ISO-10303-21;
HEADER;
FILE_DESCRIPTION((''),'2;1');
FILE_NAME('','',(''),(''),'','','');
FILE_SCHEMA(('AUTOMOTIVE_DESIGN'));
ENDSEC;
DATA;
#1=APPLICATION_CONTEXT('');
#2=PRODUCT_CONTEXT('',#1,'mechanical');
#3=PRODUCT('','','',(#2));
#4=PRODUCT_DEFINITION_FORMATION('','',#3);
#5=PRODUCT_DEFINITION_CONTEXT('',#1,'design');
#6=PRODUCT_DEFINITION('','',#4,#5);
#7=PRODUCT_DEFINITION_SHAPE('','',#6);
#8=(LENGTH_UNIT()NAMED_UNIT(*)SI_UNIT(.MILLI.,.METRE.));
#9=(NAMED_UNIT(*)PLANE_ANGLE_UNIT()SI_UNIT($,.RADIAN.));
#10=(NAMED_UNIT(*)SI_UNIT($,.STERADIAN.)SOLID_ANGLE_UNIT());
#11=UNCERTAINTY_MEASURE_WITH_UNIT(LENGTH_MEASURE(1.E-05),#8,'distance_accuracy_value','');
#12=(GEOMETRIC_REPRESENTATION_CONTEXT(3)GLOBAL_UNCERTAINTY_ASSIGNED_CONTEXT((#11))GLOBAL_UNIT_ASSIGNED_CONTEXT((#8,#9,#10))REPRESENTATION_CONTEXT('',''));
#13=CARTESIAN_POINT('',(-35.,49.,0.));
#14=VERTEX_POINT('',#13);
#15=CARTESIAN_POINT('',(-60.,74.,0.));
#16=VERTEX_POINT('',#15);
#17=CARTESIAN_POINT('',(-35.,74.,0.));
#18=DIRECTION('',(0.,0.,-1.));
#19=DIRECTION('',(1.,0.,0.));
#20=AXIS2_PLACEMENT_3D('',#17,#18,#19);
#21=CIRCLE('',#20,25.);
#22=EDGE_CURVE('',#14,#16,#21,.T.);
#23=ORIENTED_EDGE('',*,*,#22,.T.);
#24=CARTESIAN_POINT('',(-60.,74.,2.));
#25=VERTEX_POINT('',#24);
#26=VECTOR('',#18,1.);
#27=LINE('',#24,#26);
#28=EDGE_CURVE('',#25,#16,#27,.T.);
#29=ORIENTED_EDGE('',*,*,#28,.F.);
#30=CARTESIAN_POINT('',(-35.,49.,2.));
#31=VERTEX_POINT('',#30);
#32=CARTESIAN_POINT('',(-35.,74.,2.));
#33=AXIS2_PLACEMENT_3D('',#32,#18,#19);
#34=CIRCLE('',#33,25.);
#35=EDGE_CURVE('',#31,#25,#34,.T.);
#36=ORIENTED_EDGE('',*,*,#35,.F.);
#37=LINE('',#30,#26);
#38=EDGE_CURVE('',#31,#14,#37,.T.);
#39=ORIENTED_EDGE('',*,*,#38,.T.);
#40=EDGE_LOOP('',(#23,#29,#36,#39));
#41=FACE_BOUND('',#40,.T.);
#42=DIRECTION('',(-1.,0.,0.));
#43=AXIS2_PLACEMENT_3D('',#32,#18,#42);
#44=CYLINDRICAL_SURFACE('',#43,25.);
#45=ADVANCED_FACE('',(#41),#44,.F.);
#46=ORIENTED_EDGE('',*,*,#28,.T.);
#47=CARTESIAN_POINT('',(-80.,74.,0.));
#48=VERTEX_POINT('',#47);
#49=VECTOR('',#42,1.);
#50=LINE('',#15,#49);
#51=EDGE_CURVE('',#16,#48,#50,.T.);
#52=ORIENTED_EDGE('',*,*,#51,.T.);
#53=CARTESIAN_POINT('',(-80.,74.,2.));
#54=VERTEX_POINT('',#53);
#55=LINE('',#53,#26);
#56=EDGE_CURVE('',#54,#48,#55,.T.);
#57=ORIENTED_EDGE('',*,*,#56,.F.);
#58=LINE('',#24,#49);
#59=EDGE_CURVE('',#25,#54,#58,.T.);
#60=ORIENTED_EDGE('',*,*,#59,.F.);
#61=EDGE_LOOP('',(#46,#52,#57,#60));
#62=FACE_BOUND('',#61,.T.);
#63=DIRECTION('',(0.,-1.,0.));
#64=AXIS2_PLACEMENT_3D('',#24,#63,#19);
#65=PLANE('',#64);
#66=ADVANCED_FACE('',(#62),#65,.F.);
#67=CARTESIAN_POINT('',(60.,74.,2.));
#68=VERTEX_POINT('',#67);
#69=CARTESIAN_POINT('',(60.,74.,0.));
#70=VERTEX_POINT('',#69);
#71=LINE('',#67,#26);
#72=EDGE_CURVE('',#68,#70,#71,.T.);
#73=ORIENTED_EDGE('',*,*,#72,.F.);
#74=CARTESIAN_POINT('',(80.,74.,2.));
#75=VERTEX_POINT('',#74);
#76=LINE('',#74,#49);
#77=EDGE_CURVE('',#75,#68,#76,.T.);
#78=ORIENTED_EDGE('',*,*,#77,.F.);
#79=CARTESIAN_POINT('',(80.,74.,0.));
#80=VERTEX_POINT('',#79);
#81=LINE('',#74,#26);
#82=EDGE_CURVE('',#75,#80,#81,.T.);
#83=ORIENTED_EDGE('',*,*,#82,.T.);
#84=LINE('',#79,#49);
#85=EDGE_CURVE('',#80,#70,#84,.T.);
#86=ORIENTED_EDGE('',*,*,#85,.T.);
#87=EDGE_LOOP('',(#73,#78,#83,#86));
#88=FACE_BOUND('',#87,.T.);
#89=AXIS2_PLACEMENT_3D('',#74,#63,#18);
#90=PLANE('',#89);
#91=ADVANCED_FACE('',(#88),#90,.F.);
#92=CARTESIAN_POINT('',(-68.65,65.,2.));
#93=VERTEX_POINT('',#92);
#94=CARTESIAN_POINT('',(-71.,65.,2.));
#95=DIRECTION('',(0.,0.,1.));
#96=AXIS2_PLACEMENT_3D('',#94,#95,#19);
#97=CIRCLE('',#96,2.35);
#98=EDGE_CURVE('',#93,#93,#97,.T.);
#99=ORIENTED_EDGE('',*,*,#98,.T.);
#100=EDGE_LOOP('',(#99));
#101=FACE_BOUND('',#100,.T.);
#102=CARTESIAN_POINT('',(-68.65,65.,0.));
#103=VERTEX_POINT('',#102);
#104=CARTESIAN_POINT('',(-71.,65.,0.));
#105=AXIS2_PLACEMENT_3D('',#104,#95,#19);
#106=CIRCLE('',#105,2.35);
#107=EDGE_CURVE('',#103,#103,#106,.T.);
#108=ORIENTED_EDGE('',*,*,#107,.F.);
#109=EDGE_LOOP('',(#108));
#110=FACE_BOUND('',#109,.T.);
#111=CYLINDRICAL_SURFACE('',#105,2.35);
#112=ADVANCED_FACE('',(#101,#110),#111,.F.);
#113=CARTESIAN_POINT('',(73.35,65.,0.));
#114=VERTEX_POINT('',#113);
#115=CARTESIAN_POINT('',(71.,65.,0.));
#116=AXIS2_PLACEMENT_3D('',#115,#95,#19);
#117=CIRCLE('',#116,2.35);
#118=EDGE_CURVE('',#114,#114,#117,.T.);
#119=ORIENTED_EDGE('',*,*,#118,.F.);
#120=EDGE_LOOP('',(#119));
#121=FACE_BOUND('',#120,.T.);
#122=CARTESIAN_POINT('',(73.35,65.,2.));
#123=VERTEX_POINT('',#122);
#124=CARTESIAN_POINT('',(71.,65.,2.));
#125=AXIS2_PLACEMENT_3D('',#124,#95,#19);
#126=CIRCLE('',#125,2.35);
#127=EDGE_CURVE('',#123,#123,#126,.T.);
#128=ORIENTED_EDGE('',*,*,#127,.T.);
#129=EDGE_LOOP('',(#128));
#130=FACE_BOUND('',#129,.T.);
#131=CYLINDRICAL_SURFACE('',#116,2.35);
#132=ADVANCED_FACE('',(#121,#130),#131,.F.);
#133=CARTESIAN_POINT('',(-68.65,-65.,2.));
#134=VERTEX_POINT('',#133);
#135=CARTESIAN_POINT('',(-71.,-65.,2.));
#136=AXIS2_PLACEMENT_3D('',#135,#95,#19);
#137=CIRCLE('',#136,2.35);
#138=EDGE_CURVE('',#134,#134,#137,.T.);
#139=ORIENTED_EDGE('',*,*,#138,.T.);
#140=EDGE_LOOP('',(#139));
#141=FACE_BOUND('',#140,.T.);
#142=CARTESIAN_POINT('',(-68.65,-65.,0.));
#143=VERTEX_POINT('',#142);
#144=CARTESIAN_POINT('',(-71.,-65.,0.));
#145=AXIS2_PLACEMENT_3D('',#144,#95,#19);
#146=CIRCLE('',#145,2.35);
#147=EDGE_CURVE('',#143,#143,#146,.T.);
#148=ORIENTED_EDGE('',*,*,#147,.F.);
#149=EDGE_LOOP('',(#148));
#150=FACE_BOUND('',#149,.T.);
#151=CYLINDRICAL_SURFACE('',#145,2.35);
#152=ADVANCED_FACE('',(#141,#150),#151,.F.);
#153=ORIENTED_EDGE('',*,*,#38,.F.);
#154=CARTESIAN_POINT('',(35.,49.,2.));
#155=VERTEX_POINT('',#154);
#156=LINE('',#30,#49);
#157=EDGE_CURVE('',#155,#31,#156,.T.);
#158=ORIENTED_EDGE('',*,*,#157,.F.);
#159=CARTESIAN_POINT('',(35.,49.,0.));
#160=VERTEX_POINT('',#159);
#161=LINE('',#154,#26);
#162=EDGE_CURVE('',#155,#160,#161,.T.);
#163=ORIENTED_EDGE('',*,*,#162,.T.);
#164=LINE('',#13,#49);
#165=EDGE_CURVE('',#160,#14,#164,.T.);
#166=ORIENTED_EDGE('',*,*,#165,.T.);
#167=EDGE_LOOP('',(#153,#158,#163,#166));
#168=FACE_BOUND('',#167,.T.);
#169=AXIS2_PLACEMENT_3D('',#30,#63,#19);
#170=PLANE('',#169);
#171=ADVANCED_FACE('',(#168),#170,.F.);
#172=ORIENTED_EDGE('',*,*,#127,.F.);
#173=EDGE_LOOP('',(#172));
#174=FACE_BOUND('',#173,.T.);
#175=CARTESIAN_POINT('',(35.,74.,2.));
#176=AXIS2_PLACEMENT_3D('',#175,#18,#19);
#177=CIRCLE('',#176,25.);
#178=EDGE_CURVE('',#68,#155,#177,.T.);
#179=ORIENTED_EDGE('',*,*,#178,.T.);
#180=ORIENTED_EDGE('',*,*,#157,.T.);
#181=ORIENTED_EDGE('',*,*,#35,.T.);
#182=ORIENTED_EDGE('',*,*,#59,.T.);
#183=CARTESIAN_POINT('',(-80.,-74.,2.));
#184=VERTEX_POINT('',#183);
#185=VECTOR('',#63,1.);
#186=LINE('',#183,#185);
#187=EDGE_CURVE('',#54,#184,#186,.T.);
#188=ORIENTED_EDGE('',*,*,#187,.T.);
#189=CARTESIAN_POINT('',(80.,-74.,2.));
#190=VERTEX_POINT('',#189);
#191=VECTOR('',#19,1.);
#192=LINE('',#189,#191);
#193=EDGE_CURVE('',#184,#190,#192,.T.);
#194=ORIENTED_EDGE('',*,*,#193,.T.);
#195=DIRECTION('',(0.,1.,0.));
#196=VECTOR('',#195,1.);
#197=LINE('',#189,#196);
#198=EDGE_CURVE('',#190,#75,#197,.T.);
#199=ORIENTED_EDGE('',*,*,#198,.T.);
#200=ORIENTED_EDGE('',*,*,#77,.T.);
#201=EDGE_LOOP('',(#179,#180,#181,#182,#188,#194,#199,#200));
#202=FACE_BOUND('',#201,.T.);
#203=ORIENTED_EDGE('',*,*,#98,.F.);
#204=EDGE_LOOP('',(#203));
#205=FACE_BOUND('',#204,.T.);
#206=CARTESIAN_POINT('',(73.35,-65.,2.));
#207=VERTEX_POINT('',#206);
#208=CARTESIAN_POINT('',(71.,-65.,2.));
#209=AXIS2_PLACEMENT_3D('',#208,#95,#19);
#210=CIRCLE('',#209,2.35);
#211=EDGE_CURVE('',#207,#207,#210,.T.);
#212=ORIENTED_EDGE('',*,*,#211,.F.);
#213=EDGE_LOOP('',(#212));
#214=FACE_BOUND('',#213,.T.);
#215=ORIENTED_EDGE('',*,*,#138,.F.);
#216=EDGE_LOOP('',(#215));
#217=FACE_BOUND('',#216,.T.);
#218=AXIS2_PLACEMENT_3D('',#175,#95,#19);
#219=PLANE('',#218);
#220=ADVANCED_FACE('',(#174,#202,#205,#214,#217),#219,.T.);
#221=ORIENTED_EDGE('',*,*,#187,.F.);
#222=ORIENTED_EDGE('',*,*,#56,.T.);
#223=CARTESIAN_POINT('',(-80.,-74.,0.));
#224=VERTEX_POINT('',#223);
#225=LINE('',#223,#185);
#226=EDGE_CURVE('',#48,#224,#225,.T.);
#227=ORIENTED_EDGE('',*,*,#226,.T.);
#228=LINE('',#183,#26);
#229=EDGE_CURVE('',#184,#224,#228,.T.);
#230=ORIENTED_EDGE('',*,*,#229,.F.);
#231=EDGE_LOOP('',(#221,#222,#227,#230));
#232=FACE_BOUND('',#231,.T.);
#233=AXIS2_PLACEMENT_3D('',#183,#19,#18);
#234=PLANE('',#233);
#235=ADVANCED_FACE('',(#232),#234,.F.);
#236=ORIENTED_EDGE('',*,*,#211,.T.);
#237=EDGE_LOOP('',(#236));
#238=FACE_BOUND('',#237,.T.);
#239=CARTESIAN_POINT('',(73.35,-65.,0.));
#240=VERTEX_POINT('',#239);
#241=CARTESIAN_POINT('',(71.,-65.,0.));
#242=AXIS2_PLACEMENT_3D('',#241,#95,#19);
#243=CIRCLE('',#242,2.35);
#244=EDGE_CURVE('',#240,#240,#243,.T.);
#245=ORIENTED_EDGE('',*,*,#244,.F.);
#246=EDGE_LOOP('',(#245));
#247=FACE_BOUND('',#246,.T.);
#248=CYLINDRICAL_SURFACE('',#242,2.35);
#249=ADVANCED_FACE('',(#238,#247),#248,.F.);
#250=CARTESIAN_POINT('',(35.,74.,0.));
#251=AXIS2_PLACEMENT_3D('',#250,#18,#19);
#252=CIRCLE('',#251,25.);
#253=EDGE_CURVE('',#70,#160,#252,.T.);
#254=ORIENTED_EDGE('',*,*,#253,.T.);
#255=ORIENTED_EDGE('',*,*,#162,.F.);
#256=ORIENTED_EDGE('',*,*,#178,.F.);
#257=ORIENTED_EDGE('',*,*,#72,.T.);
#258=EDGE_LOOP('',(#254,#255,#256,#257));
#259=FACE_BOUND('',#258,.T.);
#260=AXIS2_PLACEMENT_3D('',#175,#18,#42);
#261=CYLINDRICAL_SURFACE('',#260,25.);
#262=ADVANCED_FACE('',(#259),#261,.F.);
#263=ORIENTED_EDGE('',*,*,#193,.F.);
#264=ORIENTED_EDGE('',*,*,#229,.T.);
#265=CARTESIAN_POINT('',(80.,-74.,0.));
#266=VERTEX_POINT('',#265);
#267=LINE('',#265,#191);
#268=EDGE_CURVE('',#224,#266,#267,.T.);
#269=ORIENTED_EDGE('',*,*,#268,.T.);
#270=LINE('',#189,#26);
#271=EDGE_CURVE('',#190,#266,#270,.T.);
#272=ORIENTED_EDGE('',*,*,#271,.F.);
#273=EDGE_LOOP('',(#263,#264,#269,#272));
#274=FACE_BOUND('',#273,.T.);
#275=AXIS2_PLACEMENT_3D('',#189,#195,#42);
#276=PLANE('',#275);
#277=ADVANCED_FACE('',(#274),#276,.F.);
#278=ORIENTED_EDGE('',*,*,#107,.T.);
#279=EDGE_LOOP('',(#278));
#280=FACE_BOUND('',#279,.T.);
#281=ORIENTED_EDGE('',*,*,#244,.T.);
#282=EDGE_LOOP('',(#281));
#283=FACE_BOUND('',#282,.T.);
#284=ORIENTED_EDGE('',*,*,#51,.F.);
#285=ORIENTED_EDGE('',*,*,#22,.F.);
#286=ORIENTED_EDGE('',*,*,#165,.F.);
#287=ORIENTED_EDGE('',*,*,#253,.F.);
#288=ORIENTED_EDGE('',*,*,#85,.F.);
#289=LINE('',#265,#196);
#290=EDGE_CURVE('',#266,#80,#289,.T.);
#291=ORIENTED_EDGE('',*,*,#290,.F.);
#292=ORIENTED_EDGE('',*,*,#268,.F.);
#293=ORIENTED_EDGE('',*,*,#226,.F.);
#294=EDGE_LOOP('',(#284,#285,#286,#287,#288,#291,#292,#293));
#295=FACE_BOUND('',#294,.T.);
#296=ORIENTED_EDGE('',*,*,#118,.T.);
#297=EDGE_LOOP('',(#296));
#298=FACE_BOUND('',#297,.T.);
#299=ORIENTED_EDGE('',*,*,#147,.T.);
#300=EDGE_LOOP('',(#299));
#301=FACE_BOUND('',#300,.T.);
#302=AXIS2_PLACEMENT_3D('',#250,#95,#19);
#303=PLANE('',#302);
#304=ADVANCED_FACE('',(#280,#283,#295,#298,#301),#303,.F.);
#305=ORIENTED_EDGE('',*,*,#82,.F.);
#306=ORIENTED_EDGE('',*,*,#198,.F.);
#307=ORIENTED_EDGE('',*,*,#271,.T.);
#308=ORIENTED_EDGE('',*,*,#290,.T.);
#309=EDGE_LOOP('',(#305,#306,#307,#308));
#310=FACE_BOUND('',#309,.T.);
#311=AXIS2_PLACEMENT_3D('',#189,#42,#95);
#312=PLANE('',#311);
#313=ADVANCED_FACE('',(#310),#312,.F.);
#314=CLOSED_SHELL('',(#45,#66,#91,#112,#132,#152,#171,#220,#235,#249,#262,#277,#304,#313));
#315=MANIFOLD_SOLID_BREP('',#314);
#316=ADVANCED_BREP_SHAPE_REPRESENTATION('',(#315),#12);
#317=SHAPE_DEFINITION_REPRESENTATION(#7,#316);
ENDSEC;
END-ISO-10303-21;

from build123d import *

# Parameters (mm, degrees)
AUFSATZ_LINEAR_AUSTRAGEN1_DEPTH = 2
SKIZZE3_R                       = 2.35
SCHNITT_LINEAR_AUSTRAGEN1_DEPTH = 109.995412748


with BuildPart() as part:
    # Skizze1 → Aufsatz-Linear austragen1 (new body)
    with BuildSketch(Plane.XY):
        with BuildLine():
            Line((-35, 49), (35, 49))
            ThreePointArc((35, 49), (52.67766953, 56.32233047), (60, 74))
            Line((60, 74), (80, 74))
            Line((80, 74), (80, -74))
            Line((80, -74), (-80, -74))
            Line((-80, -74), (-80, 74))
            Line((-80, 74), (-60, 74))
            ThreePointArc((-60, 74), (-52.67766953, 56.32233047), (-35, 49))
        make_face()
    extrude(amount=AUFSATZ_LINEAR_AUSTRAGEN1_DEPTH)

    # Skizze3 → Schnitt-Linear austragen1 (cut, through all)
    with BuildSketch(Plane.XY.offset(2)):
        with Locations((71, 65)):
            Circle(SKIZZE3_R)
        with Locations((-71, -65)):
            Circle(SKIZZE3_R)
        with Locations((71, -65)):
            Circle(SKIZZE3_R)
        with Locations((-71, 65)):
            Circle(SKIZZE3_R)
    extrude(amount=-SCHNITT_LINEAR_AUSTRAGEN1_DEPTH, mode=Mode.SUBTRACT)


solid = part.part
